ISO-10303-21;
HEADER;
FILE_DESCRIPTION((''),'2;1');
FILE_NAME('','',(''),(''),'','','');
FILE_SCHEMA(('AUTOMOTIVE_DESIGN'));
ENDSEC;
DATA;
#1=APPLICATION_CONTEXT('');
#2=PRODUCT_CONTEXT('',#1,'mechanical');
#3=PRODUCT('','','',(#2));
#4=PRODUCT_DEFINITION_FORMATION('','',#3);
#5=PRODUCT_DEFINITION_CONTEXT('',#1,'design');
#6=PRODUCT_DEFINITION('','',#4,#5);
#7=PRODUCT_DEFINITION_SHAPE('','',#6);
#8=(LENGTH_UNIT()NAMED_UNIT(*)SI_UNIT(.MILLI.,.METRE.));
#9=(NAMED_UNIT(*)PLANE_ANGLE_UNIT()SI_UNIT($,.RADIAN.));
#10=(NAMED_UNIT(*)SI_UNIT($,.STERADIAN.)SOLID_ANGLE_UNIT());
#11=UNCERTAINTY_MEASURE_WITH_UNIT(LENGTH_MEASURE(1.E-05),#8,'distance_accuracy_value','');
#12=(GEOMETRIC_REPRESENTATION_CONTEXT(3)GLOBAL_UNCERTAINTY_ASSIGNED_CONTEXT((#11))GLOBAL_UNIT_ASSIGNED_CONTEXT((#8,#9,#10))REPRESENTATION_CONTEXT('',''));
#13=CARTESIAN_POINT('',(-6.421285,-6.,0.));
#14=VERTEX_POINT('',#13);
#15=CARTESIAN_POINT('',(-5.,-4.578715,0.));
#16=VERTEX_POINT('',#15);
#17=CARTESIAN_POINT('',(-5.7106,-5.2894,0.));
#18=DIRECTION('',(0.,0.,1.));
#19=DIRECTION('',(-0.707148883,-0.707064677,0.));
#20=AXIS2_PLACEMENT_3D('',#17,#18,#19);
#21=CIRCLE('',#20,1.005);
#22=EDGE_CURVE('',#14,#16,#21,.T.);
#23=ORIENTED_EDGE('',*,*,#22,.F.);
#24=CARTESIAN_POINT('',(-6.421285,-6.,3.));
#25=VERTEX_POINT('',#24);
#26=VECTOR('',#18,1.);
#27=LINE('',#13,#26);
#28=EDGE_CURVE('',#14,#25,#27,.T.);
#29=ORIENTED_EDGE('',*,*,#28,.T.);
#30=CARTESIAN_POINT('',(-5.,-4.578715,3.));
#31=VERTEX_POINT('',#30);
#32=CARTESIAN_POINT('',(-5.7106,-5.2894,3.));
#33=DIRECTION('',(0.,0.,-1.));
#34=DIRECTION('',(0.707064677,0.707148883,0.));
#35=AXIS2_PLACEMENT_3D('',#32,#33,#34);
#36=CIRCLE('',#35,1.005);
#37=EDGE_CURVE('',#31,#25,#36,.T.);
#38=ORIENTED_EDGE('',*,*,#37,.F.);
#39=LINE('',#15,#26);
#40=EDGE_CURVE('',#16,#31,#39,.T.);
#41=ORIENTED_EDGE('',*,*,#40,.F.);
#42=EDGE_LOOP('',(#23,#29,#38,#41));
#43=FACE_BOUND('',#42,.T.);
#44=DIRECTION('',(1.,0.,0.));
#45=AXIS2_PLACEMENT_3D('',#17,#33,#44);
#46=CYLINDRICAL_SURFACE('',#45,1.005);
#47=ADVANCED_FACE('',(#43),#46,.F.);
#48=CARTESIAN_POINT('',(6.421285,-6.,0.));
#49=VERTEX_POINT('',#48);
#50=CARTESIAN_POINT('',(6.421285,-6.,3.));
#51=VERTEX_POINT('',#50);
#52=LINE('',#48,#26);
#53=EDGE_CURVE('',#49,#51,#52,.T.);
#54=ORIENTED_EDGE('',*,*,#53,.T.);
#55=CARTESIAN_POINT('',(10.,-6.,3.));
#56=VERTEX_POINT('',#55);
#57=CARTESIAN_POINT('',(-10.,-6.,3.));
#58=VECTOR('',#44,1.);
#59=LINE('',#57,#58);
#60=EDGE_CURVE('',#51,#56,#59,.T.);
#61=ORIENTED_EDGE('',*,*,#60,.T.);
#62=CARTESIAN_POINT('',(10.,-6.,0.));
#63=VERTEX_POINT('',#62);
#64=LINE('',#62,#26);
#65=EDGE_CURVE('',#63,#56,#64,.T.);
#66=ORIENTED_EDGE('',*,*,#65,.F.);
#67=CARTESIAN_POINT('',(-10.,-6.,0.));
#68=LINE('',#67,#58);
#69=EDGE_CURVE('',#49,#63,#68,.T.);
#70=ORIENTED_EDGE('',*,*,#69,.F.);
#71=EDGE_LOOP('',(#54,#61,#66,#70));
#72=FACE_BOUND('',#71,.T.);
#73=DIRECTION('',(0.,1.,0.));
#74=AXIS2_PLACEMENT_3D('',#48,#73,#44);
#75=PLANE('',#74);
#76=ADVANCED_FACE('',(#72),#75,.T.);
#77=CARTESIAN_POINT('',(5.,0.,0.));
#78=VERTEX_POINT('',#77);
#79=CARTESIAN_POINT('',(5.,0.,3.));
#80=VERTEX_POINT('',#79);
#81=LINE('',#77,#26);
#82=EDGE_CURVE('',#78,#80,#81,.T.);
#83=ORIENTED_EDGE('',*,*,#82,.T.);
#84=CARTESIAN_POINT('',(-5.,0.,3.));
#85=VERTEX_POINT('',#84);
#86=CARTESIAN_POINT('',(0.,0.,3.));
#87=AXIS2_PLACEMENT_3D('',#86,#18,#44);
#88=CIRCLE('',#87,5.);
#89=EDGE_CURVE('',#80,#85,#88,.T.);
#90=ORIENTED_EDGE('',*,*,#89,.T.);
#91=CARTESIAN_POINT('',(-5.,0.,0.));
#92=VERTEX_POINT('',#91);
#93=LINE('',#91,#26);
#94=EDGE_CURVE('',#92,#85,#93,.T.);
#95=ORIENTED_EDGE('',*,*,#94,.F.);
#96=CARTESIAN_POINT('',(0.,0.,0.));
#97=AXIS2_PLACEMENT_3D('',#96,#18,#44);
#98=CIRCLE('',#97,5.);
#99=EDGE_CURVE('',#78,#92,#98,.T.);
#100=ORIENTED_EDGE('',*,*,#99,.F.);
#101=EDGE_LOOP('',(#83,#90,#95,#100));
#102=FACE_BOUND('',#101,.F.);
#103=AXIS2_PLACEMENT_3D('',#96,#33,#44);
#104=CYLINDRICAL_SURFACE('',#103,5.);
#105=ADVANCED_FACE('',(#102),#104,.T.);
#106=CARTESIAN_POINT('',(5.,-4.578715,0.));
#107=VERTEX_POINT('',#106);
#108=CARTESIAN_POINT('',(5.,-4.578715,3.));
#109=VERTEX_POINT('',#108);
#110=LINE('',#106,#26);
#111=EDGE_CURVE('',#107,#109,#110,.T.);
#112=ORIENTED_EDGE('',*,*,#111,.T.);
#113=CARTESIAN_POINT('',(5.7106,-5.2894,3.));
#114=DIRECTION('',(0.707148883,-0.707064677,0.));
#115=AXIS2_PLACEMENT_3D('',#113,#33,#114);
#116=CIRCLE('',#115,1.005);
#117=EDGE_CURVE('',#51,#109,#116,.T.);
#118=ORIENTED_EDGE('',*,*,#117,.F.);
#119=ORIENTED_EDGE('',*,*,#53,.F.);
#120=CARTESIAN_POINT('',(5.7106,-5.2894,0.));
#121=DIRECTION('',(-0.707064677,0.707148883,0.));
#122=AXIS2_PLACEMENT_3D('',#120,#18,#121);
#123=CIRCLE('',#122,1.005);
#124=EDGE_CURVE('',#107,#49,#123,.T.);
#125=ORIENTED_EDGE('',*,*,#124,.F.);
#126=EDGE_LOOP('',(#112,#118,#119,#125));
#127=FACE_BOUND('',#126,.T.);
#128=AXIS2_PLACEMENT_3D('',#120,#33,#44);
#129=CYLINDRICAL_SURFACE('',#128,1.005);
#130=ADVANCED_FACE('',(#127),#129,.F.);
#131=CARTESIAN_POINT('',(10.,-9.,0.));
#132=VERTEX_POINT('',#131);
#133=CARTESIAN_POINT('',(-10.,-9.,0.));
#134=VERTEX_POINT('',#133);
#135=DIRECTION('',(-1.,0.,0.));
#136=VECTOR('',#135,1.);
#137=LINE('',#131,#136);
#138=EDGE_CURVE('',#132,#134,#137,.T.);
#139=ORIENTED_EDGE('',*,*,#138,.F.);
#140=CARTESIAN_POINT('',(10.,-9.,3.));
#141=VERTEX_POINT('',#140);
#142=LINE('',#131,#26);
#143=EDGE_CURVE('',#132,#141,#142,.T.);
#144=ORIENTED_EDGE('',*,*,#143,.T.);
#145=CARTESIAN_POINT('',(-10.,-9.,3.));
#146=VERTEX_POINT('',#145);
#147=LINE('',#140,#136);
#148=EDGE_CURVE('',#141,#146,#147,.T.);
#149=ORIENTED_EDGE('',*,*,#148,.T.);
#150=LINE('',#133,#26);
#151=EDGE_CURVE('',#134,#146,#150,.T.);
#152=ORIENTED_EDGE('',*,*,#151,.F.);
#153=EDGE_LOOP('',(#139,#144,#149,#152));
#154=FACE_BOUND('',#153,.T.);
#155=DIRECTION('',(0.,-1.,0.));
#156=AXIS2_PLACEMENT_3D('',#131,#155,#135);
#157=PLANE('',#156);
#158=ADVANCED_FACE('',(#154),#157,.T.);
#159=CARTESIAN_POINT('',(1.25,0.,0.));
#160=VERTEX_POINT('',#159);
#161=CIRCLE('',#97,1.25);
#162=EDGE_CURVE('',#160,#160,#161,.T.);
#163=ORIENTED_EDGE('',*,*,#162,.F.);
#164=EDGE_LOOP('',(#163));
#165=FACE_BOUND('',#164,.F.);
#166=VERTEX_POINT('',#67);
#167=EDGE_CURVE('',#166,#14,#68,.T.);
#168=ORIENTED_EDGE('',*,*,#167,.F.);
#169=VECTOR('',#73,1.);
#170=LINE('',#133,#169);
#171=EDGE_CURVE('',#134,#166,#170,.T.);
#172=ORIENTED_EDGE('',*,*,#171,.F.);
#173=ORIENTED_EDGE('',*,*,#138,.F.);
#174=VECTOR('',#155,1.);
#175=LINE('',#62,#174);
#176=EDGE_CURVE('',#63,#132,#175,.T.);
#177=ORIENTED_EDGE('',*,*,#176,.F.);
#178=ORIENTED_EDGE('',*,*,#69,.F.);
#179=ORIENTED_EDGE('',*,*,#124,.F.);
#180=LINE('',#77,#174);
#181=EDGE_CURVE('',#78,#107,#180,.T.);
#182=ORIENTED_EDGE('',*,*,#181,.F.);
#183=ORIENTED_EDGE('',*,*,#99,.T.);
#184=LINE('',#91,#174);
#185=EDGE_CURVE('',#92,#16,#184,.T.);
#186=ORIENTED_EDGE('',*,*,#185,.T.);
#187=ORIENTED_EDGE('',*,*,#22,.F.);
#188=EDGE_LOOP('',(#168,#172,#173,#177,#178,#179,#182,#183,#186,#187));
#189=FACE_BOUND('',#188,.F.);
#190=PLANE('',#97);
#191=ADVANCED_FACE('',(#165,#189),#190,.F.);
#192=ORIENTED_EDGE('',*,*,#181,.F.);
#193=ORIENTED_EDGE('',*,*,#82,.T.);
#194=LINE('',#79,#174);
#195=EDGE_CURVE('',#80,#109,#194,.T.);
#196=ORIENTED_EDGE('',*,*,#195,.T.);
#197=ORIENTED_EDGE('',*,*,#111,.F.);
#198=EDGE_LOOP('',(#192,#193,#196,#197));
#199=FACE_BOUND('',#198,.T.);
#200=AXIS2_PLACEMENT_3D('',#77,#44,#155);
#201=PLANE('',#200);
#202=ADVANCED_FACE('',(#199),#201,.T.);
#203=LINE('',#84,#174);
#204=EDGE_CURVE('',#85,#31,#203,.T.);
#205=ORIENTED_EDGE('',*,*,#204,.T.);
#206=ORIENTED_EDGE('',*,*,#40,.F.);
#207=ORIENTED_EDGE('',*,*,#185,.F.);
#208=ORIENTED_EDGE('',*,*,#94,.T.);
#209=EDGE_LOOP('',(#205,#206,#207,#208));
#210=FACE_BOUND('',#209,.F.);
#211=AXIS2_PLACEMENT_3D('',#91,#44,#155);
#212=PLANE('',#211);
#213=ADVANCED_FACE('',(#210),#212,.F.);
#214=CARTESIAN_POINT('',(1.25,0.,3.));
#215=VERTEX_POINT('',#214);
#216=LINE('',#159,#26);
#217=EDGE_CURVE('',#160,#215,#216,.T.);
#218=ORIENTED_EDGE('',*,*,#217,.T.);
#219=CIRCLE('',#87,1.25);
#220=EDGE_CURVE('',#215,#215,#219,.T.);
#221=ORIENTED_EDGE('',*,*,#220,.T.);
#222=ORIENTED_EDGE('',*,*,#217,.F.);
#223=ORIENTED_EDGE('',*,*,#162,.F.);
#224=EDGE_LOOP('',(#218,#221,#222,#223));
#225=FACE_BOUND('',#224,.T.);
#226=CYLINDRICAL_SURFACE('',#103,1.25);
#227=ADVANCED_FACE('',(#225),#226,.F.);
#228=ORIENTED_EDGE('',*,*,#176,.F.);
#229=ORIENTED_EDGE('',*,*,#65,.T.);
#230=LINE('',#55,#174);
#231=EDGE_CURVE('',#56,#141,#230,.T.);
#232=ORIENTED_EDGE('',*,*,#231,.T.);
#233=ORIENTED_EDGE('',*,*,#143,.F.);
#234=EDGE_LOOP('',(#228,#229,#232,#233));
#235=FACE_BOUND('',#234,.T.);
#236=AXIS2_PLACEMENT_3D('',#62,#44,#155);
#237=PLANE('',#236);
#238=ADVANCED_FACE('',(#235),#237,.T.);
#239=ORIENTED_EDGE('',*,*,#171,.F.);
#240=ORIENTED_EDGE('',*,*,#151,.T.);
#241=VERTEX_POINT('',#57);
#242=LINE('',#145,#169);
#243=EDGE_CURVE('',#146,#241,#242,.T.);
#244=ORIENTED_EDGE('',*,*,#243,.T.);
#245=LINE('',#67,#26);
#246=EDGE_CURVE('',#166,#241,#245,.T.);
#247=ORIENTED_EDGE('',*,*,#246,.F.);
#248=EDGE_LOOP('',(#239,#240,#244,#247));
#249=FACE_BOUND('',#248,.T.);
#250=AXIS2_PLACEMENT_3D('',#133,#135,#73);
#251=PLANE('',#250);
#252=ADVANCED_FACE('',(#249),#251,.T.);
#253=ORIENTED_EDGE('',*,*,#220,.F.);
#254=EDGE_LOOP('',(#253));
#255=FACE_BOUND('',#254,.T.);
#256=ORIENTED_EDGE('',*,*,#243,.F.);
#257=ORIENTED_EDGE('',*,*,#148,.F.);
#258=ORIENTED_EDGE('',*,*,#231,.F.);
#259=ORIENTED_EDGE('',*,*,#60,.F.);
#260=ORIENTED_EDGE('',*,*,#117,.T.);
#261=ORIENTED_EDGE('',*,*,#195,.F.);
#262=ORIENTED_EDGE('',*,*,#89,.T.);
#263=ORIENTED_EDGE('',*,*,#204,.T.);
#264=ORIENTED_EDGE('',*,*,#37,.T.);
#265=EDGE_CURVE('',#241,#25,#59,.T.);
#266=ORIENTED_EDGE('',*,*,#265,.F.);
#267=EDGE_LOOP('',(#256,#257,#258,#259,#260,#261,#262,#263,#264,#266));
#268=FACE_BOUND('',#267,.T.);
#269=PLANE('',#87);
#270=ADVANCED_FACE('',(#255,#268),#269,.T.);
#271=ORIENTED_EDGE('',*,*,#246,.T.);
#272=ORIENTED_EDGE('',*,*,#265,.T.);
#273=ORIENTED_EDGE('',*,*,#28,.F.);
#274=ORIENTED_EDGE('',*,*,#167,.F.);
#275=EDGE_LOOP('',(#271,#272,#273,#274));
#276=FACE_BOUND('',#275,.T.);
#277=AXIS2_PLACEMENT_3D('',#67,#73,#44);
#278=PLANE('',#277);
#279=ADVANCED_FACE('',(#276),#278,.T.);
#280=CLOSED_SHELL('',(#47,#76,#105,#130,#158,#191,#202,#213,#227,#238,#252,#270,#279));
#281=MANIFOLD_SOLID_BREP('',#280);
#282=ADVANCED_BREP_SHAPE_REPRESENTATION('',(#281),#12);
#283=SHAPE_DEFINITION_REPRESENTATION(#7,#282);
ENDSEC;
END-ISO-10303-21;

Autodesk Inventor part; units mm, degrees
ref_plane "YZ Plane" through (0, 0, 0) normal (1, 0, 0) x (0, 1, 0)
ref_plane "XZ Plane" through (0, 0, 0) normal (0, 1, 0) x (-1, 0, 0)
ref_plane "XY Plane" through (0, 0, 0) normal (0, 0, 1) x (1, 0, 0)
sketch "スケッチ1" plane through (0, 0, 0) normal (0, 0, 1) x (1, 0, 0)
  circle A0 centre (0, 0) radius 1.25
  circle A1 centre (0, 0) radius 5
  line L0 (-10, -6) -> (10, -6)
  line L1 (10, -6) -> (10, -9)
  line L2 (10, -9) -> (-10, -9)
  line L3 (-10, -9) -> (-10, -6)
  line L4 (-5, 0) -> (-5, -6)
  line L5 (5, 0) -> (5, -6)
  circle A2 centre (-5.7106, -5.2894) radius 1.005
  circle A3 centre (5.7106, -5.2894) radius 1.005
  line L6 (-5.7106, -5.2894) -> (-5, -6)
  line L7 (5.7106, -5.2894) -> (5, -6)
  point P0 (6.4213, -6)
  point P1 (5, -4.5787)
  point P2 (-5, -4.5787)
  point P3 (-6.4213, -6)
  dimension "d7" = 2.01
  dimension "d8" = 2.01
  dimension "d0" = 2.5
  dimension "d1" = 10
  dimension "d2" = 3
  dimension "d3" = 20
  dimension "d4" = 6
  dimension "d5" = 5
  dimension "d6" = 6
  dimension "d9" = 45
  dimension "d10" = 45
extrude "押し出し1" add sketch "スケッチ1" along normal blind 3 contours A1 | L5 A3 L0 A2 L4 A1 | A3 L0 L1 L2 L3 A2
properties part number "T字金具" material "アルミニウム 7075"
